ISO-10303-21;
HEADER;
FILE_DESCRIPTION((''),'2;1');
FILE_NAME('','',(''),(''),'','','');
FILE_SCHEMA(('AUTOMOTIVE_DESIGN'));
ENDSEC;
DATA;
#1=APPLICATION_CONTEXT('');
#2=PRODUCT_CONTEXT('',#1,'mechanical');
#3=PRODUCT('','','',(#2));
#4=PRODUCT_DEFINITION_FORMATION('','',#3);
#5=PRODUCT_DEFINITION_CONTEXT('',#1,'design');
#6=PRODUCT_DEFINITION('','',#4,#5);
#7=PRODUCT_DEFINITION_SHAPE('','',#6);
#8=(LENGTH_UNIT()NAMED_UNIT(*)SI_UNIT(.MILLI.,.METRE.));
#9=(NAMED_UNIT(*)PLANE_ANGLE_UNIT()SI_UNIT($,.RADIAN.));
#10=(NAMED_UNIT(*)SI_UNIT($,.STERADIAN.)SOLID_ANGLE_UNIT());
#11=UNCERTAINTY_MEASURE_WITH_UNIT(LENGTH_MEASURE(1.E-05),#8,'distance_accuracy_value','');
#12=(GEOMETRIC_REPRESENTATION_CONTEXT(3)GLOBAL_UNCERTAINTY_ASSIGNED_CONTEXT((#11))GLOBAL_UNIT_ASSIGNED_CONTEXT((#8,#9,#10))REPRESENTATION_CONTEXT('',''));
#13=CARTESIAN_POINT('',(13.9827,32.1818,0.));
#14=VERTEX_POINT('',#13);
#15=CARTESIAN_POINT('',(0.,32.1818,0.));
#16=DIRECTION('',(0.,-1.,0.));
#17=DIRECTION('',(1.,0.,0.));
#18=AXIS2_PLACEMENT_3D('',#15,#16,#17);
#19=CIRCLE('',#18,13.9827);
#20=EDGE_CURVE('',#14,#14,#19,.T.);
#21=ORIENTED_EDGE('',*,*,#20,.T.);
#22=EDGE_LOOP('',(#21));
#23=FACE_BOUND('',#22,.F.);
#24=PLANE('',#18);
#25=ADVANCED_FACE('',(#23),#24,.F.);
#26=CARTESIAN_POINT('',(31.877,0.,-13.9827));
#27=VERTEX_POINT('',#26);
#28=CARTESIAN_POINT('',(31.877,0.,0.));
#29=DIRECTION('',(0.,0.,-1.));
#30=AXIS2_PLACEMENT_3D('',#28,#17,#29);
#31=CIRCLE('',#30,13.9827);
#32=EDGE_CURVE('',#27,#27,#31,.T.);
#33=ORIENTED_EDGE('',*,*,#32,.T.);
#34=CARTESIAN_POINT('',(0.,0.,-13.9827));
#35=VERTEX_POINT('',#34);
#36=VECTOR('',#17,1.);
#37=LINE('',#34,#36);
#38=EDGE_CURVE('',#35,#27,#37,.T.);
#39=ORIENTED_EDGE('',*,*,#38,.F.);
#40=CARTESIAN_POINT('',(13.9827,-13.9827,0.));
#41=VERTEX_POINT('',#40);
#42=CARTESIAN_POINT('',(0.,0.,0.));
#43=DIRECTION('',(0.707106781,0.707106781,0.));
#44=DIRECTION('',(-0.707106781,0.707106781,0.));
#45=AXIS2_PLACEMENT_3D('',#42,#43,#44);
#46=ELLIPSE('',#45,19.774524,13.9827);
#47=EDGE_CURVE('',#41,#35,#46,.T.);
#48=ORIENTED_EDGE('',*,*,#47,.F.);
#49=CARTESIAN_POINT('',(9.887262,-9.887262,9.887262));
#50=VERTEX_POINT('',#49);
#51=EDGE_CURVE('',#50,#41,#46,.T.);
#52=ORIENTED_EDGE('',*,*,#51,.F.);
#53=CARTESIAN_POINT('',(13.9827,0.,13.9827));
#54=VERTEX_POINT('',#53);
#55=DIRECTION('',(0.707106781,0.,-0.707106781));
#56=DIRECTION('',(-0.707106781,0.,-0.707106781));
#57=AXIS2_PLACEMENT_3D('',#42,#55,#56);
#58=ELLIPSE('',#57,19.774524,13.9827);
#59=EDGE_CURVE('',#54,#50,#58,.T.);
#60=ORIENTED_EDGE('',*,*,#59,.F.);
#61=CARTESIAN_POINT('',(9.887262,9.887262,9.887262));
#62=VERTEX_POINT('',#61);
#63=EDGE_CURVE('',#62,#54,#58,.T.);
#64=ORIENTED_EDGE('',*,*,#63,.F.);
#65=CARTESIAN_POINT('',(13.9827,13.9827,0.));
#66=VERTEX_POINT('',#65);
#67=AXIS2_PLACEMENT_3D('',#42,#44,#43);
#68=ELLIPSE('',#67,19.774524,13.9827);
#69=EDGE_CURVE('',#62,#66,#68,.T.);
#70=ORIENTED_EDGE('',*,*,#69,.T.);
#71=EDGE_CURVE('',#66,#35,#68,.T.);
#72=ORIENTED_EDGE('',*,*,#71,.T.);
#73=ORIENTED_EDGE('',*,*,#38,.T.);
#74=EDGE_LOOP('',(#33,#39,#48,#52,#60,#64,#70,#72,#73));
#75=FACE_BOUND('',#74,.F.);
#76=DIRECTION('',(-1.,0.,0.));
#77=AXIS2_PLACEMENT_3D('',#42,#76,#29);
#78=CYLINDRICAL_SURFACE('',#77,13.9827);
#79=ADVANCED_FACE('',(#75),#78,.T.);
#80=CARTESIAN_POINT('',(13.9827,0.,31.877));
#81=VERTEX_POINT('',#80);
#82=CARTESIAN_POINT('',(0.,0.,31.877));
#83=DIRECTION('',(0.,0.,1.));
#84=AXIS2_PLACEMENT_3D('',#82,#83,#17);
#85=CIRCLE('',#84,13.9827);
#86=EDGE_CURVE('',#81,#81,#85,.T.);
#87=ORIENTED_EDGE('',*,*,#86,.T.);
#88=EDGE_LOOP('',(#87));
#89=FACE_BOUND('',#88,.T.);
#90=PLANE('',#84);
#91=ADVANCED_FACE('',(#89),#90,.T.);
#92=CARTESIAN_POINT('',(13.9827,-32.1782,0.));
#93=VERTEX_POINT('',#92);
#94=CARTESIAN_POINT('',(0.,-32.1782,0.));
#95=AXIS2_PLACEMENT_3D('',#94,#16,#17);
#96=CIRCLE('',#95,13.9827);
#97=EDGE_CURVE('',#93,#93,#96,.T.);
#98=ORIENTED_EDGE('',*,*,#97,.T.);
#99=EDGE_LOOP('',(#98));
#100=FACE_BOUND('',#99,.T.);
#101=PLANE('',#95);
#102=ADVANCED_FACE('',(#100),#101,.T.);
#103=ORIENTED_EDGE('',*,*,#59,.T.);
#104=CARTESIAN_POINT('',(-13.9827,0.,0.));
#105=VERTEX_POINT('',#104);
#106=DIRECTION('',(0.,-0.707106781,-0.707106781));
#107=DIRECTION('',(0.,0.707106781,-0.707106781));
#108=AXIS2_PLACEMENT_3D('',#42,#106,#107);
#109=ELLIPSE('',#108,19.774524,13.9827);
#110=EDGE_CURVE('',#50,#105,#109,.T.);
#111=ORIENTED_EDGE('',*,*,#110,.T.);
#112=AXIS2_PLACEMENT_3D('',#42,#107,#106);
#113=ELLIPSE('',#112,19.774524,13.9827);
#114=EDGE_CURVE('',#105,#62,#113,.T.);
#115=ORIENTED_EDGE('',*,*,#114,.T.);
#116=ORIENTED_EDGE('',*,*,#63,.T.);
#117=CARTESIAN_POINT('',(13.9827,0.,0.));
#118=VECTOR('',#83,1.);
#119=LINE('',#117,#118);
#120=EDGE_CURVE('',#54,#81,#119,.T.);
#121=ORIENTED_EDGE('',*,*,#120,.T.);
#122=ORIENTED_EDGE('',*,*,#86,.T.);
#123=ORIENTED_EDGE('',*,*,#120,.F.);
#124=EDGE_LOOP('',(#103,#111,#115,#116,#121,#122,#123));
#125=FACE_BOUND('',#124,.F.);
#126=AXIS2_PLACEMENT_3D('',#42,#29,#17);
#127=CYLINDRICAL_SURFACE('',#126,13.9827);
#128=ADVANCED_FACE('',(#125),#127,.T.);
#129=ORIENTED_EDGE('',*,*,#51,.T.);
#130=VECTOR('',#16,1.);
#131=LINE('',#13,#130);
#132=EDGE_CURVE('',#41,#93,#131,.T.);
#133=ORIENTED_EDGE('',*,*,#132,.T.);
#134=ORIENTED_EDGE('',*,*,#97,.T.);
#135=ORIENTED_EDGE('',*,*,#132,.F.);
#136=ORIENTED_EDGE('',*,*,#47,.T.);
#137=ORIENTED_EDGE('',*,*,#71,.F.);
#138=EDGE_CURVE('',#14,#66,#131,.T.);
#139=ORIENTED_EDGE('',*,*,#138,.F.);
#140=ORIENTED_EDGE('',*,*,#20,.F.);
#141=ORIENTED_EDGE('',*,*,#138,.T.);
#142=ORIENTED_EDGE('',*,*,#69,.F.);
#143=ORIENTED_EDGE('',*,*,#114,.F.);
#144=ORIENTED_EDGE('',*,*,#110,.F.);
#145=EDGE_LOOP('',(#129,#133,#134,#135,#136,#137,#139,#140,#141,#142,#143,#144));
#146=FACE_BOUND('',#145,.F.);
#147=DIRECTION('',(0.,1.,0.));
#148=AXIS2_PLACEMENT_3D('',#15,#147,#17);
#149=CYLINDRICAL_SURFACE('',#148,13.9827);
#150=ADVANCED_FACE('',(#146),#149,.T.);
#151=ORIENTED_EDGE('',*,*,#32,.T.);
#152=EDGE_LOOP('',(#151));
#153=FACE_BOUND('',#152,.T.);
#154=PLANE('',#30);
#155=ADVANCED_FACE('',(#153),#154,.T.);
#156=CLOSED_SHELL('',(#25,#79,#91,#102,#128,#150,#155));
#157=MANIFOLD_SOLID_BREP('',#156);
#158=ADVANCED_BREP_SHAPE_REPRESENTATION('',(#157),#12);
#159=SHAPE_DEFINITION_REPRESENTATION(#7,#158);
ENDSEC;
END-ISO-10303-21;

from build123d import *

# Parameters (mm, degrees)
CYLINDER010_R     = 13.9827
CYLINDER010_DEPTH = 31.877
CYLINDER009_R     = 13.9827
CYLINDER009_DEPTH = 64.36
CYLINDER008_R     = 13.9827
CYLINDER008_DEPTH = 31.877


with BuildPart() as cylinder010:
    # Cylinder010 → Cylinder010 (new body)
    with BuildSketch(Plane(origin=(0, 0, 0), x_dir=(0, 0, -1), z_dir=(1, 0, 0))):
        Circle(CYLINDER010_R)
    extrude(amount=CYLINDER010_DEPTH)


with BuildPart() as cylinder009:
    # Cylinder009 → Cylinder009 (new body)
    with BuildSketch(Plane.XZ.offset(-32.1818)):
        Circle(CYLINDER009_R)
    extrude(amount=CYLINDER009_DEPTH)


with BuildPart() as f_4_way:
    # Cylinder008 → Cylinder008 (new body)
    with BuildSketch(Plane.XY):
        Circle(CYLINDER008_R)
    extrude(amount=CYLINDER008_DEPTH)

    # Fusion003: union Cylinder009
    add(cylinder009.part)

    # Fusion004: union Cylinder010
    add(cylinder010.part)


solid = f_4_way.part
